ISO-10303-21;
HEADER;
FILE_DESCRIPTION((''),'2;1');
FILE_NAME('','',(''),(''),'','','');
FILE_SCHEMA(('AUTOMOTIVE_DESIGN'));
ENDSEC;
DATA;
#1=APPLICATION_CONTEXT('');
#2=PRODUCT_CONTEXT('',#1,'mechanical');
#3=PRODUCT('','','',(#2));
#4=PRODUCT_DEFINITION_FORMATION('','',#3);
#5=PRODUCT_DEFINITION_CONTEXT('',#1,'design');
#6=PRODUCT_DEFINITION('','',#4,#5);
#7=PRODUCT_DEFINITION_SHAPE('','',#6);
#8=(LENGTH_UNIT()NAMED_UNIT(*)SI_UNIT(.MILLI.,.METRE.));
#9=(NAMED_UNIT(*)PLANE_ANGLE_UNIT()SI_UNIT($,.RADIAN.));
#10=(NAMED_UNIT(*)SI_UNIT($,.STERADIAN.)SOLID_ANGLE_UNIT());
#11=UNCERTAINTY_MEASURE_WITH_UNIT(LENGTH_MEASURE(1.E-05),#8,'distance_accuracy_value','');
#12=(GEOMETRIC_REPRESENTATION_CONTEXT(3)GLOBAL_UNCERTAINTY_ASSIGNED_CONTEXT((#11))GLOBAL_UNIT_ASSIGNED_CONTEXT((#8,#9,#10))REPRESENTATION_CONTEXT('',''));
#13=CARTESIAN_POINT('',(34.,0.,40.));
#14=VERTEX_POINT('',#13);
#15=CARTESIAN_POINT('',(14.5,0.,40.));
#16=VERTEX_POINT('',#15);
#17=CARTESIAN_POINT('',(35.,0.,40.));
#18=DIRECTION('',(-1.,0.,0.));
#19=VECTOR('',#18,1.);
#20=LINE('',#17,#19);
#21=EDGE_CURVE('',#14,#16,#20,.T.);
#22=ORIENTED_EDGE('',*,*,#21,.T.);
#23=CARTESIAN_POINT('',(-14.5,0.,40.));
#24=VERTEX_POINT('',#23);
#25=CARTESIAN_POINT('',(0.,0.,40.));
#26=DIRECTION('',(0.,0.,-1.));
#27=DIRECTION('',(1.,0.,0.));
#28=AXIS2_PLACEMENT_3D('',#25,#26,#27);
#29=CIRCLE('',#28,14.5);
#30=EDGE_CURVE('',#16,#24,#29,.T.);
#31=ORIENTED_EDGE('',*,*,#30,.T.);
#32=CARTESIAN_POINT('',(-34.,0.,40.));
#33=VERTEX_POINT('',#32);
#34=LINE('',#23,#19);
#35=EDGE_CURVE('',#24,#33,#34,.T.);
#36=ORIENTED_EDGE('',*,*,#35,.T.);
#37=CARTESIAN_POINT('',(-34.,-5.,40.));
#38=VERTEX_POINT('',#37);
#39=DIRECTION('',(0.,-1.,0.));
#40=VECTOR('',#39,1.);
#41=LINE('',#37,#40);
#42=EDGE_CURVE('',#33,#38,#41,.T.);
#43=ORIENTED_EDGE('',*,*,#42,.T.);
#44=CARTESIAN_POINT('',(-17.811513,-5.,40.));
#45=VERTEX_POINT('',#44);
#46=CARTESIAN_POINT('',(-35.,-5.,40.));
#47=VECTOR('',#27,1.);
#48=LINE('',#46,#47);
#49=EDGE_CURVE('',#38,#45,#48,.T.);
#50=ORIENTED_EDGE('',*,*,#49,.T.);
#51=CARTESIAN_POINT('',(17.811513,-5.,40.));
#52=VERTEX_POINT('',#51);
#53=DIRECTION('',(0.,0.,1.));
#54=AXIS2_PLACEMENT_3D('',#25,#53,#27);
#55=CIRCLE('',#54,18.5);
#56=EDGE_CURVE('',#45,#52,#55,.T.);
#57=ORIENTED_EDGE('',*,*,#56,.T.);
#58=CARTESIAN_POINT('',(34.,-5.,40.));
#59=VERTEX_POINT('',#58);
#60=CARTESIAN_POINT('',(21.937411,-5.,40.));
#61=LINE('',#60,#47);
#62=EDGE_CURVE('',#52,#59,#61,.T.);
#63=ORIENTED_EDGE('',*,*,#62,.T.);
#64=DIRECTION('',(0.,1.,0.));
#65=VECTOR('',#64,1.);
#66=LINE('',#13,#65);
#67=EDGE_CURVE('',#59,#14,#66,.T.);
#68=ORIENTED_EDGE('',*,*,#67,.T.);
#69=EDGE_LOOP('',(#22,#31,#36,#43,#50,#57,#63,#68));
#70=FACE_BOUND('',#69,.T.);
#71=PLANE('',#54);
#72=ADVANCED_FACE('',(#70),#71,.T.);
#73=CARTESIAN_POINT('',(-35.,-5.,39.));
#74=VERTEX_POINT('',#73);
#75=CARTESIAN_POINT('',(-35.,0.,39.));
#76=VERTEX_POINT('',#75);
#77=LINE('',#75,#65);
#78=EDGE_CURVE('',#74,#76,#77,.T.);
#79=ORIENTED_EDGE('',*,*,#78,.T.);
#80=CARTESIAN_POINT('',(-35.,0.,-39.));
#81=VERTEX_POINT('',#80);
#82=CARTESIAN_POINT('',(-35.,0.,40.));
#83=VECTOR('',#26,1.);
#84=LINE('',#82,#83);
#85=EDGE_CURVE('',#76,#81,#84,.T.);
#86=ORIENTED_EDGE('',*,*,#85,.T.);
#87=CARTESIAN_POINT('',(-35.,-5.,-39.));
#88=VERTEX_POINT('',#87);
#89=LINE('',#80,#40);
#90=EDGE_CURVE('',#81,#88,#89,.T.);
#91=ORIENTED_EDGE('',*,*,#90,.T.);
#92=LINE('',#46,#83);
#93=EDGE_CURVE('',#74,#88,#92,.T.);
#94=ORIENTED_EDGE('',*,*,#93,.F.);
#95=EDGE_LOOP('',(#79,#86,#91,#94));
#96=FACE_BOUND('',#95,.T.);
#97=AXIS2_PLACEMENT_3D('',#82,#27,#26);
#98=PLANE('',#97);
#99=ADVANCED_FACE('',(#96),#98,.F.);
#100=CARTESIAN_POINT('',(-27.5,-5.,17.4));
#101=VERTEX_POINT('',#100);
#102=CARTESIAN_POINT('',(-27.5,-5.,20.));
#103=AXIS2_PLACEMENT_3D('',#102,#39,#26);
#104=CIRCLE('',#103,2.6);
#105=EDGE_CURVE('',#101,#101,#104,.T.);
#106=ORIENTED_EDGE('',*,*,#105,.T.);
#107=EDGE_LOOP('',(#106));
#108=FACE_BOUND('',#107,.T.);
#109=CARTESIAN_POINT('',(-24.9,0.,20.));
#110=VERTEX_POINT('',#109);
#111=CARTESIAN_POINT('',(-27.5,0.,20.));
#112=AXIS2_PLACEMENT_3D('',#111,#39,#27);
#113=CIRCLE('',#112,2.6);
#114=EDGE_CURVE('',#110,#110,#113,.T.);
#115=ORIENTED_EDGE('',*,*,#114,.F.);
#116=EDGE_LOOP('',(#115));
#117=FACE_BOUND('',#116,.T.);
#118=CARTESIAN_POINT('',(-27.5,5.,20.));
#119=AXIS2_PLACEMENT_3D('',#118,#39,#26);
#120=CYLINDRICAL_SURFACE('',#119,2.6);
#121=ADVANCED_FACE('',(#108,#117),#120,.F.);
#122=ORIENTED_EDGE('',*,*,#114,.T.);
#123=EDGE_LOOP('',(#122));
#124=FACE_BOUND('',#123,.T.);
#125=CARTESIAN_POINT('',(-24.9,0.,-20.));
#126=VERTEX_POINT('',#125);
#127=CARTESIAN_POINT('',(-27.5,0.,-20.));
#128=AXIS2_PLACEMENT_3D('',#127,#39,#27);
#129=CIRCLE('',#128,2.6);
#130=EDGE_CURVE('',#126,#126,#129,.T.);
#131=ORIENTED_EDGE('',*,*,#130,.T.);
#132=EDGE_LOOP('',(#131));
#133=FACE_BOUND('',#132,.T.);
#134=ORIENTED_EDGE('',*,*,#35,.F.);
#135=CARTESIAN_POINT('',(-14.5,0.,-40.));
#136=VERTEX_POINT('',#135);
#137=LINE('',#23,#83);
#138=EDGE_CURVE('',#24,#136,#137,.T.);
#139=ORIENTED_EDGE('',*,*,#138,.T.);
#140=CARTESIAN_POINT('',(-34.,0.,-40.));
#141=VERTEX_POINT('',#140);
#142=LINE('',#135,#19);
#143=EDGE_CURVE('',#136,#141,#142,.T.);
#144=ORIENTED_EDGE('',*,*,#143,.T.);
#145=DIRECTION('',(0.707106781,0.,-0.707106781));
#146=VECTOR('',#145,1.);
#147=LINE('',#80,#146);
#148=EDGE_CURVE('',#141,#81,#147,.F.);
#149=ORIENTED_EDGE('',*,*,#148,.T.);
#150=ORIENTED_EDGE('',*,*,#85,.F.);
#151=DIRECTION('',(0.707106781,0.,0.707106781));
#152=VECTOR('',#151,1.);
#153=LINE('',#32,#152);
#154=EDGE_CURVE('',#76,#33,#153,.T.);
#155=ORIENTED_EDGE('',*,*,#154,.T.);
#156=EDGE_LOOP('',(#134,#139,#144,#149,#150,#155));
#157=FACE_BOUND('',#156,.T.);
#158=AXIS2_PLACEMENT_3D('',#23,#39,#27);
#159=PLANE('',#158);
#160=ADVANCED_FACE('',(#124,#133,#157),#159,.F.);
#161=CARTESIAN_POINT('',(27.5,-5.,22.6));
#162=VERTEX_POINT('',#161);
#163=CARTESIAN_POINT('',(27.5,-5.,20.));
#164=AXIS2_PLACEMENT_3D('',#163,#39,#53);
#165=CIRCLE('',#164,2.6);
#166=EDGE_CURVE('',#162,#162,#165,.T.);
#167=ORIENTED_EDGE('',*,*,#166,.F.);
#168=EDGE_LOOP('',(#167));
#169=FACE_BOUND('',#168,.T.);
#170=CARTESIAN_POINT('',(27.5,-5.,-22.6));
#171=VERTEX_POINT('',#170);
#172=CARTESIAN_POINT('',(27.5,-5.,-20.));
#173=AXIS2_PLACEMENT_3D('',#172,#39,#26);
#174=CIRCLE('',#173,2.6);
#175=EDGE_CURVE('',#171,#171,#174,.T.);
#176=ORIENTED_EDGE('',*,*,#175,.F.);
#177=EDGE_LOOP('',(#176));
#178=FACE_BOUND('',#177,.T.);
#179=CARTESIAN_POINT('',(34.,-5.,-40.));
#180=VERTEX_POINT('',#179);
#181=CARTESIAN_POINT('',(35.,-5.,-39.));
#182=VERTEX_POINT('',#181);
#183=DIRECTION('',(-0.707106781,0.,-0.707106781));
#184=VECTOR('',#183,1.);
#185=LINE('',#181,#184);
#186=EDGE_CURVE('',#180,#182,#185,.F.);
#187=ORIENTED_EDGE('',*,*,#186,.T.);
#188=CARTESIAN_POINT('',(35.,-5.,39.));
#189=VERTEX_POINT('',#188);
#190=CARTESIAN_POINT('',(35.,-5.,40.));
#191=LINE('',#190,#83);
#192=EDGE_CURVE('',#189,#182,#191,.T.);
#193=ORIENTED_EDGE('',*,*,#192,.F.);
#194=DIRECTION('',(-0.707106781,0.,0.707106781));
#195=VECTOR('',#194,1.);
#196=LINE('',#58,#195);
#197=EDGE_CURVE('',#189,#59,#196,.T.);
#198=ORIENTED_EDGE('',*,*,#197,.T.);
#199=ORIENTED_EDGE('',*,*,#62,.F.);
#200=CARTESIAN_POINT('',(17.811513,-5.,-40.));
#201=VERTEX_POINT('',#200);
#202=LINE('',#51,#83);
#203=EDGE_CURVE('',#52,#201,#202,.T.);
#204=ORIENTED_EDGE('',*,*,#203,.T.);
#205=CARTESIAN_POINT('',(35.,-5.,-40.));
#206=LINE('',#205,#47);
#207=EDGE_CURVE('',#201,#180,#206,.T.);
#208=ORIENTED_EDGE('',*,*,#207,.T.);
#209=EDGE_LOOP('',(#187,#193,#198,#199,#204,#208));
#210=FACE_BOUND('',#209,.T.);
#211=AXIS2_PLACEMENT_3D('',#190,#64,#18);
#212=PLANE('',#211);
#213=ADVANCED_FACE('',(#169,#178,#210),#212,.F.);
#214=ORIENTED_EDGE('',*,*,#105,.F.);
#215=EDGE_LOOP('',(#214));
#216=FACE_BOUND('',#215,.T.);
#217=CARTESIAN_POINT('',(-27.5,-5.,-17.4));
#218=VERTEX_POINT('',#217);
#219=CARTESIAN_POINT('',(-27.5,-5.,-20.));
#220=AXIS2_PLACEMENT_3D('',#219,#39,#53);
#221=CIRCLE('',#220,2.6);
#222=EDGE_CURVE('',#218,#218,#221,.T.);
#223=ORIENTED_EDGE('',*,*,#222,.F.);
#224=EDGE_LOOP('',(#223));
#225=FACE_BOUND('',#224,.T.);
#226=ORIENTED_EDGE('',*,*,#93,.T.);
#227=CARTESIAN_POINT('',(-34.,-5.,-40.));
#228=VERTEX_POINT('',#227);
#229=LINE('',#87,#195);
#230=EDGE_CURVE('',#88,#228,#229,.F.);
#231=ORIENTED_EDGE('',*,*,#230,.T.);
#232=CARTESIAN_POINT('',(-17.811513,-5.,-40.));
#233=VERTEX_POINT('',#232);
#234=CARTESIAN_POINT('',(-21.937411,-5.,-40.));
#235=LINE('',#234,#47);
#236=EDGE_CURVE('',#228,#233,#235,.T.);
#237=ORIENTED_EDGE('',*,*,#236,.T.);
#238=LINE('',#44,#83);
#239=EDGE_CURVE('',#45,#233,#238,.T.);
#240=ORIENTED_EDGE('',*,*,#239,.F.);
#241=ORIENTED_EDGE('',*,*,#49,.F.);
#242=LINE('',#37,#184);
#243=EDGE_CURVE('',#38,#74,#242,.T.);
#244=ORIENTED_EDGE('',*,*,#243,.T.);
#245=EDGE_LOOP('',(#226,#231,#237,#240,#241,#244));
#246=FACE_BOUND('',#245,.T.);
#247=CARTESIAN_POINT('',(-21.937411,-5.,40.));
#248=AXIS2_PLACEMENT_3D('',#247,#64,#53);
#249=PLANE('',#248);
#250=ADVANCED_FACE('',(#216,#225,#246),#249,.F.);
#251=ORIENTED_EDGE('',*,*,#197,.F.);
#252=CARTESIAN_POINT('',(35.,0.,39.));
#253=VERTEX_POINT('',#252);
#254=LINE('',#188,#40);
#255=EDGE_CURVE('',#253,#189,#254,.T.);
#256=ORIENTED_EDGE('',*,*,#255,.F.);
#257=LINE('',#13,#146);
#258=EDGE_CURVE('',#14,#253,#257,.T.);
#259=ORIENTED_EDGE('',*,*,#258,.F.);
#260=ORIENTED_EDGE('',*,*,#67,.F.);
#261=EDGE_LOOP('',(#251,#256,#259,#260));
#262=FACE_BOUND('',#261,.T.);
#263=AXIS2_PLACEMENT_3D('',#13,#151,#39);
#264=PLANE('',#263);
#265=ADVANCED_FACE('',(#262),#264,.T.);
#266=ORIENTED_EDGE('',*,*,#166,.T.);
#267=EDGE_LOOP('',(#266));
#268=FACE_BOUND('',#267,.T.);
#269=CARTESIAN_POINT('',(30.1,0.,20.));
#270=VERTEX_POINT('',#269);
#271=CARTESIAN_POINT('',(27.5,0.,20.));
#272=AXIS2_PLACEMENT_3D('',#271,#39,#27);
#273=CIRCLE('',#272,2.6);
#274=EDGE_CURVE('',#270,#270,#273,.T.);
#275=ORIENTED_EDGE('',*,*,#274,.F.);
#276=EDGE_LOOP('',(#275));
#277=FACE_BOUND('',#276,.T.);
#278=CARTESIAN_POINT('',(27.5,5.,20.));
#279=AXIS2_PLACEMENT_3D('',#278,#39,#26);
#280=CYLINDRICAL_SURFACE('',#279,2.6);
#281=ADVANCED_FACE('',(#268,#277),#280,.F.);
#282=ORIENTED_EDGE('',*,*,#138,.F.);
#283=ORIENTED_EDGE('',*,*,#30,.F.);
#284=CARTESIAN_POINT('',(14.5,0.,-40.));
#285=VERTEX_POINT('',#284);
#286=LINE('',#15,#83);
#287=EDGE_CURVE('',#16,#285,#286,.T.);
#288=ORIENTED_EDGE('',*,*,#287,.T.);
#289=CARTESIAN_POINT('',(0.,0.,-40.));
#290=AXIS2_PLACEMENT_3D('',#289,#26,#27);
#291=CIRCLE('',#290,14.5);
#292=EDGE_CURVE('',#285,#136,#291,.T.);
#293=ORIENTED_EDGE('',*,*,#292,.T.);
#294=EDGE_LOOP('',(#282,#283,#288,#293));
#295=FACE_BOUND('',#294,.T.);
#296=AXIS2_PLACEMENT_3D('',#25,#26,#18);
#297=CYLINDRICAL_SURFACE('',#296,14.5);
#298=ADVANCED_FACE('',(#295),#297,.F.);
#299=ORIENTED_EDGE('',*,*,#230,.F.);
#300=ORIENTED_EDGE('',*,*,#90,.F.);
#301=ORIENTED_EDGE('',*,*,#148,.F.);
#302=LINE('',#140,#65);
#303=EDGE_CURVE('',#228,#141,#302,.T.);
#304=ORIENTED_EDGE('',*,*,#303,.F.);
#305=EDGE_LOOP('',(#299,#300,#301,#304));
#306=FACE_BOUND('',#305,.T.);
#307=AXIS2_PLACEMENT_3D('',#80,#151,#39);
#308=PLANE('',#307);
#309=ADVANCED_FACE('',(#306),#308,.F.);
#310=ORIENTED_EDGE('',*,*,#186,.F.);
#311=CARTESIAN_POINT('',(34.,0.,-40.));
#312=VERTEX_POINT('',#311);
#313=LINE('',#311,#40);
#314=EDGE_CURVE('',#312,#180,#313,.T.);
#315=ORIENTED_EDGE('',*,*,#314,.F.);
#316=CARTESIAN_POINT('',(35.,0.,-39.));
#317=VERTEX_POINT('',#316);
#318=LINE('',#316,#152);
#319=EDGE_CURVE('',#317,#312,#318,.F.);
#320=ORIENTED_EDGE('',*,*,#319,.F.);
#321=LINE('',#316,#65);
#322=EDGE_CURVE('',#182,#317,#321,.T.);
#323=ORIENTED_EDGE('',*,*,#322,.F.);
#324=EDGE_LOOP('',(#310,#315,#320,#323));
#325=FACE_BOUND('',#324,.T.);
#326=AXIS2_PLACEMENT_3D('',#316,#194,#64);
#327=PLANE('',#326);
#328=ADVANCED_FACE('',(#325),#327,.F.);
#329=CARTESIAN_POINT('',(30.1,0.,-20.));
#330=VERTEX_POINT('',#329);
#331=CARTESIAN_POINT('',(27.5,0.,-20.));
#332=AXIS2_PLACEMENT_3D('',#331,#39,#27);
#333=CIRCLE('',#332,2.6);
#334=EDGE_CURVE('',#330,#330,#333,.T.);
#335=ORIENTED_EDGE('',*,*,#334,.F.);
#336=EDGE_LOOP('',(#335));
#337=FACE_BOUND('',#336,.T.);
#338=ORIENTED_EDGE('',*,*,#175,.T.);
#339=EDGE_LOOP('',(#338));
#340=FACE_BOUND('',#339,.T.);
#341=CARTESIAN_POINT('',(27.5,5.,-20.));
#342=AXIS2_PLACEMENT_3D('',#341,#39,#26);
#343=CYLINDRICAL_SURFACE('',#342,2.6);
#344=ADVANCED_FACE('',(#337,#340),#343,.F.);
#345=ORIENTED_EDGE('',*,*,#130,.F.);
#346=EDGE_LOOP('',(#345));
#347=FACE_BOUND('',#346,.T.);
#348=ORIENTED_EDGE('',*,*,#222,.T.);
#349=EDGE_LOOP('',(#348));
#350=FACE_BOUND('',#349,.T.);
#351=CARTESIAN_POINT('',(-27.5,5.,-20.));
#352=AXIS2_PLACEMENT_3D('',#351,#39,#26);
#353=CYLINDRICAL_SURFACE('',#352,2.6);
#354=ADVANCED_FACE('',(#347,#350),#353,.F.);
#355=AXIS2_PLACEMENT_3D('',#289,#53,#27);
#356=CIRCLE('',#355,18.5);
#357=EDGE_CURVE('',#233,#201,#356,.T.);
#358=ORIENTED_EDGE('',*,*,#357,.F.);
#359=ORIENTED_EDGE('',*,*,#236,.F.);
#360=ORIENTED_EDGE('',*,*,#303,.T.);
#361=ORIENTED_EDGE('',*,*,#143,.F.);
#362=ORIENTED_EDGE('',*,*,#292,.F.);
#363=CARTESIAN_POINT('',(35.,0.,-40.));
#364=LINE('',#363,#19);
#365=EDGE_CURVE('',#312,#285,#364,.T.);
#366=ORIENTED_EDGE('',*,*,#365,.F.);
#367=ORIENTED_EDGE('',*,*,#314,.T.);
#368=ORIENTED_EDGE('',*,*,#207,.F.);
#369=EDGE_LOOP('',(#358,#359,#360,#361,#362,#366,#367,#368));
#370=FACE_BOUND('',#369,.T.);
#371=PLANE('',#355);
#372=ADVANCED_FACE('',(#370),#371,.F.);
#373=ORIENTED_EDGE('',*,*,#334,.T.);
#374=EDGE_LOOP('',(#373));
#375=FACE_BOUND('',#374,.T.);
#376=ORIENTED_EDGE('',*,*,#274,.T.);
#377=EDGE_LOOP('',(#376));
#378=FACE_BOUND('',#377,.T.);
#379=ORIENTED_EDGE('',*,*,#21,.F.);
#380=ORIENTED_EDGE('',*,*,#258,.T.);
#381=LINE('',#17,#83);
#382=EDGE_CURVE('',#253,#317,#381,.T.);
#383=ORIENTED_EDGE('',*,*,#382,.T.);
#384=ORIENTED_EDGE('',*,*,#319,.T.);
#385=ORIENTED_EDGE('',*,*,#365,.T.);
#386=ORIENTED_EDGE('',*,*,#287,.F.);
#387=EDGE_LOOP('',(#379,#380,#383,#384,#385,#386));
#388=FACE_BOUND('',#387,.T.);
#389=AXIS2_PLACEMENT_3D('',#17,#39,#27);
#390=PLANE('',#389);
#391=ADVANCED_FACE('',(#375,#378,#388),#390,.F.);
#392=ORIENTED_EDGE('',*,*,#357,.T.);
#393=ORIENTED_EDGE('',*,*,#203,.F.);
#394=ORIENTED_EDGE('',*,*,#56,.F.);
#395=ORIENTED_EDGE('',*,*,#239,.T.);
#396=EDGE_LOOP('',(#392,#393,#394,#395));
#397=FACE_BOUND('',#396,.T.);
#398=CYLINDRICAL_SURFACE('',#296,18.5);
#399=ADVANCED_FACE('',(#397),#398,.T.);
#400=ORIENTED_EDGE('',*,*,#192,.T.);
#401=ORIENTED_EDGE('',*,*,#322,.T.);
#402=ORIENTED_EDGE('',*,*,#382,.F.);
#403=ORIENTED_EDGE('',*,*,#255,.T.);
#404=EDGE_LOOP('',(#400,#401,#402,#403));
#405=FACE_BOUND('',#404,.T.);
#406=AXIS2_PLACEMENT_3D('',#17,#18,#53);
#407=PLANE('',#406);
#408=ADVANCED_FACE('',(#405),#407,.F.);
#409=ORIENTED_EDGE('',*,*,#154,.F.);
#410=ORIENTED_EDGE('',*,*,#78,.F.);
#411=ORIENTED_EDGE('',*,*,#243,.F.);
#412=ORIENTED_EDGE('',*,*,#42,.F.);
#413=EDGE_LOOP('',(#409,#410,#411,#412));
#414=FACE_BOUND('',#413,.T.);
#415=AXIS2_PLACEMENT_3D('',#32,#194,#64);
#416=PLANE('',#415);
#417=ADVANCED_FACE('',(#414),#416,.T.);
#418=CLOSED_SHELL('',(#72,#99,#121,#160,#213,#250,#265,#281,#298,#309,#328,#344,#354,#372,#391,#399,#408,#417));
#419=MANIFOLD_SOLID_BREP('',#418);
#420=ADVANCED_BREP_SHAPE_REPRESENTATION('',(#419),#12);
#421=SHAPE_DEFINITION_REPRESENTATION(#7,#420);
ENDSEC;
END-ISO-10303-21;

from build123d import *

# Parameters (mm, degrees)
EXTRUDE_1_DEPTH     = 40
SKETCH_2_R          = 2.6
CUT_EXTRUDE_1_DEPTH = 10
CHAMFER_1_SIZE      = 1


with BuildPart() as part:
    # 草图1 → 凸台-拉伸1 (new body, symmetric)
    with BuildSketch(Plane.XY):
        with BuildLine():
            Line((35, 0), (14.5, 0))
            ThreePointArc((14.5, 0), (0, -14.5), (-14.5, 0))
            Line((-14.5, 0), (-35, 0))
            Line((-35, 0), (-35, -5))
            Line((-35, -5), (-21.937410968, -5))
            Line((-21.937410968, -5), (-17.811513131, -5))
            ThreePointArc((-17.811513131, -5), (0, -18.5), (17.811513131, -5))
            Line((17.811513131, -5), (21.937410968, -5))
            Line((21.937410968, -5), (35, -5))
            Line((35, -5), (35, 0))
        make_face()
    extrude(amount=EXTRUDE_1_DEPTH, both=True)

    # 草图2 → 切除-拉伸1 (cut)
    with BuildSketch(Plane(origin=(0, -5, 0), x_dir=(-1, 0, 0), z_dir=(0, -1, 0))):
        with Locations((27.5, -20)):
            Circle(SKETCH_2_R)
        with Locations((27.5, 20)):
            Circle(SKETCH_2_R)
        with Locations((-27.5, -20)):
            Circle(SKETCH_2_R)
        with Locations((-27.5, 20)):
            Circle(SKETCH_2_R)
    extrude(amount=-CUT_EXTRUDE_1_DEPTH, mode=Mode.SUBTRACT)

    # 倒角1
    chamfer_1_edges = [part.edges().sort_by_distance(p)[0] for p in [
        (-35, -2.5, -40),
        (35, -2.5, -40),
        (-35, -2.5, 40),
        (35, -2.5, 40),
    ]]
    chamfer(chamfer_1_edges, length=CHAMFER_1_SIZE)


solid = part.part
